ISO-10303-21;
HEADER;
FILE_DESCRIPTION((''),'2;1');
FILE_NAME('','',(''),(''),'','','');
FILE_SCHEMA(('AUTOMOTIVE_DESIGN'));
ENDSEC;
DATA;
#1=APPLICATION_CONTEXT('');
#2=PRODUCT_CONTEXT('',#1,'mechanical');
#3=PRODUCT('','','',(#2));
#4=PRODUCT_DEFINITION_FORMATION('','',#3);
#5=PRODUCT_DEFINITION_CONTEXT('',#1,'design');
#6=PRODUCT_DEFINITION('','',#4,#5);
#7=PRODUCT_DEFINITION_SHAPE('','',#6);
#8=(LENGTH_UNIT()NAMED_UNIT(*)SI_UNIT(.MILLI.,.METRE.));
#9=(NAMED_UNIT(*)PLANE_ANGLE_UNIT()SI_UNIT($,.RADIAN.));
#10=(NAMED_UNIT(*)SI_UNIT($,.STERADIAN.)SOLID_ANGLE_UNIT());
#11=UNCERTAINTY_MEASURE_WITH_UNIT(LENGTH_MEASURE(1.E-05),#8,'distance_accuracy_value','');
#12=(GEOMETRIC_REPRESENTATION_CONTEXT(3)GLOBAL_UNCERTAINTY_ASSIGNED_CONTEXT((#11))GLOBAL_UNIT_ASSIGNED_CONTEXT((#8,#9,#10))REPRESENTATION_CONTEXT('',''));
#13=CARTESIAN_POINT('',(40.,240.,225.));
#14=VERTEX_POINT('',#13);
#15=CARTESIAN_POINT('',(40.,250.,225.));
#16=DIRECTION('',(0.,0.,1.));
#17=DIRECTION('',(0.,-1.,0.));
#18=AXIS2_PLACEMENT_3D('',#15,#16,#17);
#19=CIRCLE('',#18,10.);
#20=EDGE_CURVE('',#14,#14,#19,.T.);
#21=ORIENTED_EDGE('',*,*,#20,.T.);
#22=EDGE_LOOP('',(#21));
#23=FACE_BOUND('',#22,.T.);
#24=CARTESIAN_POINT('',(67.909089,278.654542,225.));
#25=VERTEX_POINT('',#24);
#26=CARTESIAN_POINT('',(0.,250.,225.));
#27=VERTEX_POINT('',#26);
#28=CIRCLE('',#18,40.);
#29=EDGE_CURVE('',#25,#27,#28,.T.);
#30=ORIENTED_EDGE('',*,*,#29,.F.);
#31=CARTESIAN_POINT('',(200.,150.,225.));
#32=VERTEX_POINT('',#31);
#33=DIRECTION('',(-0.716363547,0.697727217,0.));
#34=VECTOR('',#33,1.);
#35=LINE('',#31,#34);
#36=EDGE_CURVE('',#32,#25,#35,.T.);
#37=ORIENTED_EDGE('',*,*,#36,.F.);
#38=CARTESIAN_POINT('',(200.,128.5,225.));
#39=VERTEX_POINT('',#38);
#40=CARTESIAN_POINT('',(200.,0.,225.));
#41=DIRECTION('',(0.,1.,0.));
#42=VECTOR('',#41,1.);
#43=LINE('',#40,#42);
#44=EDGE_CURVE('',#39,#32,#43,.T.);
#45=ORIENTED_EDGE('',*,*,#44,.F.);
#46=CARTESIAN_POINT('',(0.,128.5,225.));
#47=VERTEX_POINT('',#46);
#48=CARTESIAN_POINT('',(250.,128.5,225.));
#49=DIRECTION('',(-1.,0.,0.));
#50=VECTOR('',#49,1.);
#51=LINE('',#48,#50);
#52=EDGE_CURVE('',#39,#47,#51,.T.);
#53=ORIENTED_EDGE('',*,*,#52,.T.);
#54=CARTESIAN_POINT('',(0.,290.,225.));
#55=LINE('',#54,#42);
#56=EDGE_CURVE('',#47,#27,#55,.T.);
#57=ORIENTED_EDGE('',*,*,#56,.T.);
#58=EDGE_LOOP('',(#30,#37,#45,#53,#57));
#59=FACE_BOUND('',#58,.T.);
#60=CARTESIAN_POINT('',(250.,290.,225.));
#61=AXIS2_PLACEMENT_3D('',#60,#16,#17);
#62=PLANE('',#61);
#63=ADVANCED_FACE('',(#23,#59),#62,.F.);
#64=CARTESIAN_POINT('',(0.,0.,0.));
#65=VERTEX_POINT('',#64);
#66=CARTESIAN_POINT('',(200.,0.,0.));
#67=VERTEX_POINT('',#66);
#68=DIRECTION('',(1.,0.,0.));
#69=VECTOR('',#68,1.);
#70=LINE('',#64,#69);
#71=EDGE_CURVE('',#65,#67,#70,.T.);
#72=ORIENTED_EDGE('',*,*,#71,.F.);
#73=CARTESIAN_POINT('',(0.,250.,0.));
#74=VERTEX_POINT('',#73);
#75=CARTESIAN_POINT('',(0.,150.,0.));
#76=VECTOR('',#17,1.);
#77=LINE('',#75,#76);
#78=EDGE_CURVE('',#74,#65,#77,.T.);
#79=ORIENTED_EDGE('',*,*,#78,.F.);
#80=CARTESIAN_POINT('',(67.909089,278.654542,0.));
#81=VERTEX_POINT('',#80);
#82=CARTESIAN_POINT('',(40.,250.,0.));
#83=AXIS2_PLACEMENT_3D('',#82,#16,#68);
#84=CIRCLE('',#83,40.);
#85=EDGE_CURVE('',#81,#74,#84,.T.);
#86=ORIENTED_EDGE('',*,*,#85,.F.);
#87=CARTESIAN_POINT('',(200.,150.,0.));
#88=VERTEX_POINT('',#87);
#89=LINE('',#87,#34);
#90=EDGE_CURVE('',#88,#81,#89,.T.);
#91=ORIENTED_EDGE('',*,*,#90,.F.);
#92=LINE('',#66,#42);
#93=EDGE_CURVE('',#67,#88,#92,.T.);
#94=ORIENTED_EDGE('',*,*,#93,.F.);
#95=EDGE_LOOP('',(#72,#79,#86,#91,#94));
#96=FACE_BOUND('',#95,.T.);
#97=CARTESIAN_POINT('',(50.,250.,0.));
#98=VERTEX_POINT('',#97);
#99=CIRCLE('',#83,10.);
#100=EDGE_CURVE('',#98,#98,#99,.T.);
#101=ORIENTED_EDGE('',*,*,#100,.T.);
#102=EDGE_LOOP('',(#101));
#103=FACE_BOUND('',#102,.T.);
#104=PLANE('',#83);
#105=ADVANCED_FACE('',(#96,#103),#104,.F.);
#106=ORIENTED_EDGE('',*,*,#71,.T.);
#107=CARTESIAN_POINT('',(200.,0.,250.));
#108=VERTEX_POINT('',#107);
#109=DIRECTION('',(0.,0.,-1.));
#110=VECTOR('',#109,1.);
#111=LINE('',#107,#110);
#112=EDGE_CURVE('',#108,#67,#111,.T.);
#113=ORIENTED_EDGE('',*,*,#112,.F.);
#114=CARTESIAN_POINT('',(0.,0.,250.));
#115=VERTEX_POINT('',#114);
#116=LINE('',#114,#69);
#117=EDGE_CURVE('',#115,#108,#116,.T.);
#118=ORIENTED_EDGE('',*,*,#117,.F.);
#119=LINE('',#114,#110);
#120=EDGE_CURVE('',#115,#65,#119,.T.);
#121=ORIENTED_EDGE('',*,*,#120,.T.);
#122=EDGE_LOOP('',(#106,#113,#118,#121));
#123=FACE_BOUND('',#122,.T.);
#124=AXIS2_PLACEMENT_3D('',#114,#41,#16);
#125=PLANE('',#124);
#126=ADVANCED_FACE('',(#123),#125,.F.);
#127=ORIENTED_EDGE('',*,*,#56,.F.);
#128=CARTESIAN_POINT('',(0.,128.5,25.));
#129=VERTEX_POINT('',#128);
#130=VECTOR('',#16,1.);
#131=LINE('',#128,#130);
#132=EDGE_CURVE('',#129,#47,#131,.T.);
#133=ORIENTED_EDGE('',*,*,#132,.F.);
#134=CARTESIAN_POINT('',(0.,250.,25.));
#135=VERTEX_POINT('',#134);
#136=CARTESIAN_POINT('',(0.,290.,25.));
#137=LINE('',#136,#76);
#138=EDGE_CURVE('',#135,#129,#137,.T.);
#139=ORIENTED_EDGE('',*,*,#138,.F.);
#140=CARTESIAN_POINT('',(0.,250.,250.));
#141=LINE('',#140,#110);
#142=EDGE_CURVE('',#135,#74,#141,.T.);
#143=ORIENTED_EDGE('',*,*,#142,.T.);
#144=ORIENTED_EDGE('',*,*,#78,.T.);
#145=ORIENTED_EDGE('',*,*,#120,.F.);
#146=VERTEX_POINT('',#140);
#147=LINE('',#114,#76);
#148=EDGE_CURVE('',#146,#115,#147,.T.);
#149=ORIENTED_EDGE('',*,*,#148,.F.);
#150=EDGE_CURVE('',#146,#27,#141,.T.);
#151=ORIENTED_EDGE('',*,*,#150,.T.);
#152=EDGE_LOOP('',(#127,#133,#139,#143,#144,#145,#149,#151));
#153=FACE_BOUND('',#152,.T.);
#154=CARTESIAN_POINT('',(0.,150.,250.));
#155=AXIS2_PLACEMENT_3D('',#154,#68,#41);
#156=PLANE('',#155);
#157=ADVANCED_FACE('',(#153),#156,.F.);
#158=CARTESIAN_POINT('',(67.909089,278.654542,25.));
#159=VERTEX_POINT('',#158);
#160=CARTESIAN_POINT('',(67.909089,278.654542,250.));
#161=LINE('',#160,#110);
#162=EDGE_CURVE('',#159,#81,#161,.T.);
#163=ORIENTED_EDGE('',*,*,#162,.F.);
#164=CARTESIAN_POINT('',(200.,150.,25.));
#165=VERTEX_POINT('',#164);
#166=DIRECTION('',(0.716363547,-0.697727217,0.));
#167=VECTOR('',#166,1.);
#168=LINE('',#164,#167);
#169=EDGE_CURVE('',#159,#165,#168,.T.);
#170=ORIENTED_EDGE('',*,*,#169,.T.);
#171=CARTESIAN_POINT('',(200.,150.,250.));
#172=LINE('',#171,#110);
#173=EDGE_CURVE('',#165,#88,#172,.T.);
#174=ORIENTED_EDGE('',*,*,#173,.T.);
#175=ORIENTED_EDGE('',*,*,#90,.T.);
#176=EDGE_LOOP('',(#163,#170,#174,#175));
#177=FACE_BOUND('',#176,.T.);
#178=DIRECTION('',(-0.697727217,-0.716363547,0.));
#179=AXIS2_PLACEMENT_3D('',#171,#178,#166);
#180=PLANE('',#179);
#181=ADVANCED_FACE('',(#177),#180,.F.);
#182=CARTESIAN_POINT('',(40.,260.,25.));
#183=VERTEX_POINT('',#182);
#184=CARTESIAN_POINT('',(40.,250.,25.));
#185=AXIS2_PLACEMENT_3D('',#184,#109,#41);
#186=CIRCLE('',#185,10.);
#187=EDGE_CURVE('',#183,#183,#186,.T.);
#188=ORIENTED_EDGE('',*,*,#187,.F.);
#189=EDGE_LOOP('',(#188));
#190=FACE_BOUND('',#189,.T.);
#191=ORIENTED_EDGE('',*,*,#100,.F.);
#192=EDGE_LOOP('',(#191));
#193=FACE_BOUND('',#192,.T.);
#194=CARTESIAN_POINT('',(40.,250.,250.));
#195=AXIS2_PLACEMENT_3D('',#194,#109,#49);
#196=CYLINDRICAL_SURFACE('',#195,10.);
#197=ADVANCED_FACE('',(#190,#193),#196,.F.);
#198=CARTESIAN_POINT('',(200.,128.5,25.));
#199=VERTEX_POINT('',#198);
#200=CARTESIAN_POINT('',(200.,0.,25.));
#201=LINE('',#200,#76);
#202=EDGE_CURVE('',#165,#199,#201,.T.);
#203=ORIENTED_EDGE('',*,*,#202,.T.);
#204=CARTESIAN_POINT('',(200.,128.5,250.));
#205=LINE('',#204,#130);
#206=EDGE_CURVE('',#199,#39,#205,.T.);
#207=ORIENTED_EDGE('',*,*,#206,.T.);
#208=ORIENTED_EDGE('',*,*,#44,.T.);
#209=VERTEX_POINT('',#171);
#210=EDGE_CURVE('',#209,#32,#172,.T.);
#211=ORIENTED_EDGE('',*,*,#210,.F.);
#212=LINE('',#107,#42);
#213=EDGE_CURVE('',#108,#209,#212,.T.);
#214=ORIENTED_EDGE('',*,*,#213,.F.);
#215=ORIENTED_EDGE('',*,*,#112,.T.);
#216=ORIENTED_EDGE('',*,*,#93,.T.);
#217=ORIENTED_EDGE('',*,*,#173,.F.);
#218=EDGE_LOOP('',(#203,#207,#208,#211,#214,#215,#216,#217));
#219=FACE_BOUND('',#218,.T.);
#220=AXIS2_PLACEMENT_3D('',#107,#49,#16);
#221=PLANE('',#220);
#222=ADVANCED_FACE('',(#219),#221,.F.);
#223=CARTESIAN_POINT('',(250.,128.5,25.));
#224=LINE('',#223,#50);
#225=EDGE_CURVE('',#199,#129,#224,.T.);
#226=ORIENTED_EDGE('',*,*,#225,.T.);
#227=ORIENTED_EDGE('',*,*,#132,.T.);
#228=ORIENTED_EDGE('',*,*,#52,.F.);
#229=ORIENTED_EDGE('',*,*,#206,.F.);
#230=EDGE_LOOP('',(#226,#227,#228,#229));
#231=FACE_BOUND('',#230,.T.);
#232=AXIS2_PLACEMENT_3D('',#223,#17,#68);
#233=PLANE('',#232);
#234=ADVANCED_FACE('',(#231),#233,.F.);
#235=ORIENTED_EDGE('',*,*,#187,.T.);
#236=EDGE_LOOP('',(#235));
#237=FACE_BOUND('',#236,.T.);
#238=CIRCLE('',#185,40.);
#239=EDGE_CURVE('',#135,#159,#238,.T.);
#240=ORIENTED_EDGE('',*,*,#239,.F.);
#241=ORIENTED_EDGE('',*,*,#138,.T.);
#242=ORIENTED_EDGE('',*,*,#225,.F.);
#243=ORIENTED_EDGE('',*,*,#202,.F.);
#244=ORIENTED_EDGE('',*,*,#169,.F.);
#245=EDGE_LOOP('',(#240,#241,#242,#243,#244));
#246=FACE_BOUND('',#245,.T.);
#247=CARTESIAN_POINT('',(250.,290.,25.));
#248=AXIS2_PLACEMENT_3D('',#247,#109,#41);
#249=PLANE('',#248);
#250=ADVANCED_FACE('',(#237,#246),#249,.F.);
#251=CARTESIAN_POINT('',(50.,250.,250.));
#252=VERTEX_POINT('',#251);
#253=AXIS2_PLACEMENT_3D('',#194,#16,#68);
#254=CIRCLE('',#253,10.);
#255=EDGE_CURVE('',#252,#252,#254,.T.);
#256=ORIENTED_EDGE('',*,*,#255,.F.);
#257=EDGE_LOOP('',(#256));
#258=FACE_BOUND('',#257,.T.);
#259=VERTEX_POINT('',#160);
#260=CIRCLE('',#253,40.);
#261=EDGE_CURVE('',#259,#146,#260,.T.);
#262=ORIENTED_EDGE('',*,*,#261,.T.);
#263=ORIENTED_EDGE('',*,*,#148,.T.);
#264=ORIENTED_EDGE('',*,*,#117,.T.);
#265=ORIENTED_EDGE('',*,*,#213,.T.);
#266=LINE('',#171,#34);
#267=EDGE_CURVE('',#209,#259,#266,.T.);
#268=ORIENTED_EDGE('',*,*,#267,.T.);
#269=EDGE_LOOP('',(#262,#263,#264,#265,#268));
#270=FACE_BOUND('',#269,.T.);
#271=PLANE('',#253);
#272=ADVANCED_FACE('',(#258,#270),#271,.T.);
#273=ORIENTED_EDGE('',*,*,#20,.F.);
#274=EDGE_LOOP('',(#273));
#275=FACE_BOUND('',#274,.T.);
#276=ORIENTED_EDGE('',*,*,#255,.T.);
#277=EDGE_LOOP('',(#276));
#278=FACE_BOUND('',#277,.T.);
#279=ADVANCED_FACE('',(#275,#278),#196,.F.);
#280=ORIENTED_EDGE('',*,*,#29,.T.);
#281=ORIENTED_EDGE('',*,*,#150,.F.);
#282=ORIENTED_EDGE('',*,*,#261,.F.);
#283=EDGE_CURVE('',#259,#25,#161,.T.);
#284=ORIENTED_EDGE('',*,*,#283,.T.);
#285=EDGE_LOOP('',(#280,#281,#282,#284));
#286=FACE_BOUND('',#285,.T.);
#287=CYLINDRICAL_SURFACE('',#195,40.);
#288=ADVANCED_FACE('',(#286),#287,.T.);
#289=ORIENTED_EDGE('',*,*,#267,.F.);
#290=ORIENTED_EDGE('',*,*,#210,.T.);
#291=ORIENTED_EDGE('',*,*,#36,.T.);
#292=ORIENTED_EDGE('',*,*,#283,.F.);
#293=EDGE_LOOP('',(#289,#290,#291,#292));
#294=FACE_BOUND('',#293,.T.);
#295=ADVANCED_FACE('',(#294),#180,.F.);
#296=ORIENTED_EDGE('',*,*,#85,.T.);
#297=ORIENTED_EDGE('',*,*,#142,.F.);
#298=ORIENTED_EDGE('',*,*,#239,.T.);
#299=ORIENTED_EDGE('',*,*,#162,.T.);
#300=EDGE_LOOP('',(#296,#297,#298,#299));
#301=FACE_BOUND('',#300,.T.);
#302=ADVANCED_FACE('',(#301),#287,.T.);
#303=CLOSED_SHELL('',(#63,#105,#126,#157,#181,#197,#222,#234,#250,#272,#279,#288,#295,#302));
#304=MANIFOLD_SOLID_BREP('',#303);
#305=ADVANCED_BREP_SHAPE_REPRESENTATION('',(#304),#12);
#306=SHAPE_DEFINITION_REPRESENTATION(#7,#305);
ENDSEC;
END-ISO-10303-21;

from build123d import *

# Parameters (mm, degrees)
CROQUIS1_R              = 10
SALIENTE_EXTRUIR1_DEPTH = 250
CROQUIS3_W              = 200
CROQUIS3_H              = 161.5
CORTAR_EXTRUIR1_DEPTH   = 250


with BuildPart() as part:
    # Croquis1 → Saliente-Extruir1 (new body)
    with BuildSketch(Plane.XY):
        with BuildLine():
            Line((0, 150), (0, 250))
            ThreePointArc((0, 250), (24.449494329, 286.853517788), (67.909088668, 278.654541869))
            Line((67.909088668, 278.654541869), (200, 150))
            Line((200, 150), (200, 0))
            Line((200, 0), (0, 0))
            Line((0, 0), (0, 150))
        make_face()
        with Locations((40, 250)):
            Circle(CROQUIS1_R, mode=Mode.SUBTRACT)
    extrude(amount=SALIENTE_EXTRUIR1_DEPTH)

    # Croquis3 → Cortar-Extruir1 (cut)
    with BuildSketch(Plane.ZY):
        with Locations((125, 209.25)):
            Rectangle(CROQUIS3_W, CROQUIS3_H)
    extrude(amount=-CORTAR_EXTRUIR1_DEPTH, mode=Mode.SUBTRACT)


solid = part.part
